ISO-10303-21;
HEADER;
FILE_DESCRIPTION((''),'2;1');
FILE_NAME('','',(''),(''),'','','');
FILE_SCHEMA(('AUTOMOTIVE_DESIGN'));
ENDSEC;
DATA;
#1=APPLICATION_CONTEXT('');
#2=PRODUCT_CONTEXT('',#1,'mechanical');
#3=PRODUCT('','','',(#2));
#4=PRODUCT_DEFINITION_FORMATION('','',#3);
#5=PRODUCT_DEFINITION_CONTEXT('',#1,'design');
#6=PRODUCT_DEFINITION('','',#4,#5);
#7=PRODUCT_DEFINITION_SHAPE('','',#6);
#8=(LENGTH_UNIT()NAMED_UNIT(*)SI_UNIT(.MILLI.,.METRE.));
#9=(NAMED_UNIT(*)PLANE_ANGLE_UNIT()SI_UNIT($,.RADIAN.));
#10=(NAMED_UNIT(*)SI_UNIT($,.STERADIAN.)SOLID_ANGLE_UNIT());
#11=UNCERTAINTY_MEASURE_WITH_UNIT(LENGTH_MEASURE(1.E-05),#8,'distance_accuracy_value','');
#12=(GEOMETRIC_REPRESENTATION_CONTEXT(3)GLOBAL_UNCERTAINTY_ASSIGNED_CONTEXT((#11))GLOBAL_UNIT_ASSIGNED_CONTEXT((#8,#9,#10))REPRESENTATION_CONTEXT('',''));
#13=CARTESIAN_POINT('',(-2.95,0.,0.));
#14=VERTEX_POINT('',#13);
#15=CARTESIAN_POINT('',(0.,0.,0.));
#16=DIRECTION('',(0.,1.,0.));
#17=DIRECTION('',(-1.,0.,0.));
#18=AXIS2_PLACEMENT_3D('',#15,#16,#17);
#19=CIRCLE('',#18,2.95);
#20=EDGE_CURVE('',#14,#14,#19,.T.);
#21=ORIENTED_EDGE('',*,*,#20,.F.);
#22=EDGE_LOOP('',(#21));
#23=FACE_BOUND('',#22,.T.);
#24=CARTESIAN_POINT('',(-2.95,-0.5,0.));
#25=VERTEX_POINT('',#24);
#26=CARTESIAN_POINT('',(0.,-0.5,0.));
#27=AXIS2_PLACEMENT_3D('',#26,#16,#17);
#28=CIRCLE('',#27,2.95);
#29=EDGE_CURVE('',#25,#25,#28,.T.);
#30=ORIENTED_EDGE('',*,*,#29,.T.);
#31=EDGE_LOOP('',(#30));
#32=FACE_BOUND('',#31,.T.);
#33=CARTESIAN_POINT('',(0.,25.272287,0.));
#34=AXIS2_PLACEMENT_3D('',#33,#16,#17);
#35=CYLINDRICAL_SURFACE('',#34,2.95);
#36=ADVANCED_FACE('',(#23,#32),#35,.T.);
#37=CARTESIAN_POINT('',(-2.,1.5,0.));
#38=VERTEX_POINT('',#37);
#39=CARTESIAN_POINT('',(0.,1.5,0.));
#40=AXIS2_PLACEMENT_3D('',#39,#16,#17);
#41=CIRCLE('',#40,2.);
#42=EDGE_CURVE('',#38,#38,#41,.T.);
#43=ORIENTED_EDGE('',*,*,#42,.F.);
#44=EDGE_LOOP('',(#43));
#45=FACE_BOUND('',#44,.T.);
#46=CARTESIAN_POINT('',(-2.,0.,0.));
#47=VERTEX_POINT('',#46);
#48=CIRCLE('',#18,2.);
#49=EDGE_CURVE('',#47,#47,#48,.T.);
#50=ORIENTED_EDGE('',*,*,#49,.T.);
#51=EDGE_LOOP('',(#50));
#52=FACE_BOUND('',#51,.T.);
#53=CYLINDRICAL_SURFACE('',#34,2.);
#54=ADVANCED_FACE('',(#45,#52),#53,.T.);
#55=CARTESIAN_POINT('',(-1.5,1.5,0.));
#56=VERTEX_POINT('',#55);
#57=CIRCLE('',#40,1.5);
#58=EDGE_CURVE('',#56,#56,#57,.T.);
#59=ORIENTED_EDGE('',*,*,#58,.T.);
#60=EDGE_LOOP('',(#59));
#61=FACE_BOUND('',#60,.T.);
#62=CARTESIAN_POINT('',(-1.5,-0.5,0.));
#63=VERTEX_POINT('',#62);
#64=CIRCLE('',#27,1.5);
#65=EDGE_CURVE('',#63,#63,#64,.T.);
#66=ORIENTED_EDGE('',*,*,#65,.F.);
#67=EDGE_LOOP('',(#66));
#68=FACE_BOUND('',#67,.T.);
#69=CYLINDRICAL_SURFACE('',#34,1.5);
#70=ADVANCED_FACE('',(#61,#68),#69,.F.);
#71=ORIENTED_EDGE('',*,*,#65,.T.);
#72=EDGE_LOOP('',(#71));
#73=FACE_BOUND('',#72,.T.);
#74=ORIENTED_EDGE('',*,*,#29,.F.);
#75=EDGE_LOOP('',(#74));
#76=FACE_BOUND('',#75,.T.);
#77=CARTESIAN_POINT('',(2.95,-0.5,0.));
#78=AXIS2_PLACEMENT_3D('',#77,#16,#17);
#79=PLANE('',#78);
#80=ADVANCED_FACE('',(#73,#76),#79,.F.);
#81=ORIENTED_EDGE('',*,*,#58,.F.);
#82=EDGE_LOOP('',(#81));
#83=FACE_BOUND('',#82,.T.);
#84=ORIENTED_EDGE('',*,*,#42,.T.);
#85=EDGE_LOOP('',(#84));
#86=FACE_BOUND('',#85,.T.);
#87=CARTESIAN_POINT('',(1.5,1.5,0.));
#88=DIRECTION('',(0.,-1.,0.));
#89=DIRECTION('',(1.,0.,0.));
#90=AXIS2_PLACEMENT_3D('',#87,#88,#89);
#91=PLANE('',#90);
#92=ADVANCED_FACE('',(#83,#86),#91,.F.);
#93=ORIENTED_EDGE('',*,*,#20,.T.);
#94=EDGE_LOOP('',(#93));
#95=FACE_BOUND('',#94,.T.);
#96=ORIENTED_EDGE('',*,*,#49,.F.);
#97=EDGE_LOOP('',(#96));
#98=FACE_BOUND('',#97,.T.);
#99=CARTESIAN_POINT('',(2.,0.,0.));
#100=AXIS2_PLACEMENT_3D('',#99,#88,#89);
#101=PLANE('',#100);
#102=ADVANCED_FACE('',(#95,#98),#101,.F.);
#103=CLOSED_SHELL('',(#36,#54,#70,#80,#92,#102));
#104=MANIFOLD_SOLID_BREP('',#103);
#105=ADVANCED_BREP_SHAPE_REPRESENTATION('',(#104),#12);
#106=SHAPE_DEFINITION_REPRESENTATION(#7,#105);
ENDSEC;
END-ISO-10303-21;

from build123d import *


with BuildPart() as part:
    # Sketch1 → Revolve1 (revolve)
    with BuildSketch(Plane.XY, mode=Mode.PRIVATE) as revolve1_sk:
        Polygon((2, 0), (2.95, 0), (2.95, -0.5), (1.5, -0.5), (1.5, 1.5), (2, 1.5), align=None)
    revolve(revolve1_sk.sketch.rotate(Axis((0, 25.272286552, 0), (0, -1, 0)), 180), axis=Axis((0, 25.272286552, 0), (0, -1, 0)))


solid = part.part
